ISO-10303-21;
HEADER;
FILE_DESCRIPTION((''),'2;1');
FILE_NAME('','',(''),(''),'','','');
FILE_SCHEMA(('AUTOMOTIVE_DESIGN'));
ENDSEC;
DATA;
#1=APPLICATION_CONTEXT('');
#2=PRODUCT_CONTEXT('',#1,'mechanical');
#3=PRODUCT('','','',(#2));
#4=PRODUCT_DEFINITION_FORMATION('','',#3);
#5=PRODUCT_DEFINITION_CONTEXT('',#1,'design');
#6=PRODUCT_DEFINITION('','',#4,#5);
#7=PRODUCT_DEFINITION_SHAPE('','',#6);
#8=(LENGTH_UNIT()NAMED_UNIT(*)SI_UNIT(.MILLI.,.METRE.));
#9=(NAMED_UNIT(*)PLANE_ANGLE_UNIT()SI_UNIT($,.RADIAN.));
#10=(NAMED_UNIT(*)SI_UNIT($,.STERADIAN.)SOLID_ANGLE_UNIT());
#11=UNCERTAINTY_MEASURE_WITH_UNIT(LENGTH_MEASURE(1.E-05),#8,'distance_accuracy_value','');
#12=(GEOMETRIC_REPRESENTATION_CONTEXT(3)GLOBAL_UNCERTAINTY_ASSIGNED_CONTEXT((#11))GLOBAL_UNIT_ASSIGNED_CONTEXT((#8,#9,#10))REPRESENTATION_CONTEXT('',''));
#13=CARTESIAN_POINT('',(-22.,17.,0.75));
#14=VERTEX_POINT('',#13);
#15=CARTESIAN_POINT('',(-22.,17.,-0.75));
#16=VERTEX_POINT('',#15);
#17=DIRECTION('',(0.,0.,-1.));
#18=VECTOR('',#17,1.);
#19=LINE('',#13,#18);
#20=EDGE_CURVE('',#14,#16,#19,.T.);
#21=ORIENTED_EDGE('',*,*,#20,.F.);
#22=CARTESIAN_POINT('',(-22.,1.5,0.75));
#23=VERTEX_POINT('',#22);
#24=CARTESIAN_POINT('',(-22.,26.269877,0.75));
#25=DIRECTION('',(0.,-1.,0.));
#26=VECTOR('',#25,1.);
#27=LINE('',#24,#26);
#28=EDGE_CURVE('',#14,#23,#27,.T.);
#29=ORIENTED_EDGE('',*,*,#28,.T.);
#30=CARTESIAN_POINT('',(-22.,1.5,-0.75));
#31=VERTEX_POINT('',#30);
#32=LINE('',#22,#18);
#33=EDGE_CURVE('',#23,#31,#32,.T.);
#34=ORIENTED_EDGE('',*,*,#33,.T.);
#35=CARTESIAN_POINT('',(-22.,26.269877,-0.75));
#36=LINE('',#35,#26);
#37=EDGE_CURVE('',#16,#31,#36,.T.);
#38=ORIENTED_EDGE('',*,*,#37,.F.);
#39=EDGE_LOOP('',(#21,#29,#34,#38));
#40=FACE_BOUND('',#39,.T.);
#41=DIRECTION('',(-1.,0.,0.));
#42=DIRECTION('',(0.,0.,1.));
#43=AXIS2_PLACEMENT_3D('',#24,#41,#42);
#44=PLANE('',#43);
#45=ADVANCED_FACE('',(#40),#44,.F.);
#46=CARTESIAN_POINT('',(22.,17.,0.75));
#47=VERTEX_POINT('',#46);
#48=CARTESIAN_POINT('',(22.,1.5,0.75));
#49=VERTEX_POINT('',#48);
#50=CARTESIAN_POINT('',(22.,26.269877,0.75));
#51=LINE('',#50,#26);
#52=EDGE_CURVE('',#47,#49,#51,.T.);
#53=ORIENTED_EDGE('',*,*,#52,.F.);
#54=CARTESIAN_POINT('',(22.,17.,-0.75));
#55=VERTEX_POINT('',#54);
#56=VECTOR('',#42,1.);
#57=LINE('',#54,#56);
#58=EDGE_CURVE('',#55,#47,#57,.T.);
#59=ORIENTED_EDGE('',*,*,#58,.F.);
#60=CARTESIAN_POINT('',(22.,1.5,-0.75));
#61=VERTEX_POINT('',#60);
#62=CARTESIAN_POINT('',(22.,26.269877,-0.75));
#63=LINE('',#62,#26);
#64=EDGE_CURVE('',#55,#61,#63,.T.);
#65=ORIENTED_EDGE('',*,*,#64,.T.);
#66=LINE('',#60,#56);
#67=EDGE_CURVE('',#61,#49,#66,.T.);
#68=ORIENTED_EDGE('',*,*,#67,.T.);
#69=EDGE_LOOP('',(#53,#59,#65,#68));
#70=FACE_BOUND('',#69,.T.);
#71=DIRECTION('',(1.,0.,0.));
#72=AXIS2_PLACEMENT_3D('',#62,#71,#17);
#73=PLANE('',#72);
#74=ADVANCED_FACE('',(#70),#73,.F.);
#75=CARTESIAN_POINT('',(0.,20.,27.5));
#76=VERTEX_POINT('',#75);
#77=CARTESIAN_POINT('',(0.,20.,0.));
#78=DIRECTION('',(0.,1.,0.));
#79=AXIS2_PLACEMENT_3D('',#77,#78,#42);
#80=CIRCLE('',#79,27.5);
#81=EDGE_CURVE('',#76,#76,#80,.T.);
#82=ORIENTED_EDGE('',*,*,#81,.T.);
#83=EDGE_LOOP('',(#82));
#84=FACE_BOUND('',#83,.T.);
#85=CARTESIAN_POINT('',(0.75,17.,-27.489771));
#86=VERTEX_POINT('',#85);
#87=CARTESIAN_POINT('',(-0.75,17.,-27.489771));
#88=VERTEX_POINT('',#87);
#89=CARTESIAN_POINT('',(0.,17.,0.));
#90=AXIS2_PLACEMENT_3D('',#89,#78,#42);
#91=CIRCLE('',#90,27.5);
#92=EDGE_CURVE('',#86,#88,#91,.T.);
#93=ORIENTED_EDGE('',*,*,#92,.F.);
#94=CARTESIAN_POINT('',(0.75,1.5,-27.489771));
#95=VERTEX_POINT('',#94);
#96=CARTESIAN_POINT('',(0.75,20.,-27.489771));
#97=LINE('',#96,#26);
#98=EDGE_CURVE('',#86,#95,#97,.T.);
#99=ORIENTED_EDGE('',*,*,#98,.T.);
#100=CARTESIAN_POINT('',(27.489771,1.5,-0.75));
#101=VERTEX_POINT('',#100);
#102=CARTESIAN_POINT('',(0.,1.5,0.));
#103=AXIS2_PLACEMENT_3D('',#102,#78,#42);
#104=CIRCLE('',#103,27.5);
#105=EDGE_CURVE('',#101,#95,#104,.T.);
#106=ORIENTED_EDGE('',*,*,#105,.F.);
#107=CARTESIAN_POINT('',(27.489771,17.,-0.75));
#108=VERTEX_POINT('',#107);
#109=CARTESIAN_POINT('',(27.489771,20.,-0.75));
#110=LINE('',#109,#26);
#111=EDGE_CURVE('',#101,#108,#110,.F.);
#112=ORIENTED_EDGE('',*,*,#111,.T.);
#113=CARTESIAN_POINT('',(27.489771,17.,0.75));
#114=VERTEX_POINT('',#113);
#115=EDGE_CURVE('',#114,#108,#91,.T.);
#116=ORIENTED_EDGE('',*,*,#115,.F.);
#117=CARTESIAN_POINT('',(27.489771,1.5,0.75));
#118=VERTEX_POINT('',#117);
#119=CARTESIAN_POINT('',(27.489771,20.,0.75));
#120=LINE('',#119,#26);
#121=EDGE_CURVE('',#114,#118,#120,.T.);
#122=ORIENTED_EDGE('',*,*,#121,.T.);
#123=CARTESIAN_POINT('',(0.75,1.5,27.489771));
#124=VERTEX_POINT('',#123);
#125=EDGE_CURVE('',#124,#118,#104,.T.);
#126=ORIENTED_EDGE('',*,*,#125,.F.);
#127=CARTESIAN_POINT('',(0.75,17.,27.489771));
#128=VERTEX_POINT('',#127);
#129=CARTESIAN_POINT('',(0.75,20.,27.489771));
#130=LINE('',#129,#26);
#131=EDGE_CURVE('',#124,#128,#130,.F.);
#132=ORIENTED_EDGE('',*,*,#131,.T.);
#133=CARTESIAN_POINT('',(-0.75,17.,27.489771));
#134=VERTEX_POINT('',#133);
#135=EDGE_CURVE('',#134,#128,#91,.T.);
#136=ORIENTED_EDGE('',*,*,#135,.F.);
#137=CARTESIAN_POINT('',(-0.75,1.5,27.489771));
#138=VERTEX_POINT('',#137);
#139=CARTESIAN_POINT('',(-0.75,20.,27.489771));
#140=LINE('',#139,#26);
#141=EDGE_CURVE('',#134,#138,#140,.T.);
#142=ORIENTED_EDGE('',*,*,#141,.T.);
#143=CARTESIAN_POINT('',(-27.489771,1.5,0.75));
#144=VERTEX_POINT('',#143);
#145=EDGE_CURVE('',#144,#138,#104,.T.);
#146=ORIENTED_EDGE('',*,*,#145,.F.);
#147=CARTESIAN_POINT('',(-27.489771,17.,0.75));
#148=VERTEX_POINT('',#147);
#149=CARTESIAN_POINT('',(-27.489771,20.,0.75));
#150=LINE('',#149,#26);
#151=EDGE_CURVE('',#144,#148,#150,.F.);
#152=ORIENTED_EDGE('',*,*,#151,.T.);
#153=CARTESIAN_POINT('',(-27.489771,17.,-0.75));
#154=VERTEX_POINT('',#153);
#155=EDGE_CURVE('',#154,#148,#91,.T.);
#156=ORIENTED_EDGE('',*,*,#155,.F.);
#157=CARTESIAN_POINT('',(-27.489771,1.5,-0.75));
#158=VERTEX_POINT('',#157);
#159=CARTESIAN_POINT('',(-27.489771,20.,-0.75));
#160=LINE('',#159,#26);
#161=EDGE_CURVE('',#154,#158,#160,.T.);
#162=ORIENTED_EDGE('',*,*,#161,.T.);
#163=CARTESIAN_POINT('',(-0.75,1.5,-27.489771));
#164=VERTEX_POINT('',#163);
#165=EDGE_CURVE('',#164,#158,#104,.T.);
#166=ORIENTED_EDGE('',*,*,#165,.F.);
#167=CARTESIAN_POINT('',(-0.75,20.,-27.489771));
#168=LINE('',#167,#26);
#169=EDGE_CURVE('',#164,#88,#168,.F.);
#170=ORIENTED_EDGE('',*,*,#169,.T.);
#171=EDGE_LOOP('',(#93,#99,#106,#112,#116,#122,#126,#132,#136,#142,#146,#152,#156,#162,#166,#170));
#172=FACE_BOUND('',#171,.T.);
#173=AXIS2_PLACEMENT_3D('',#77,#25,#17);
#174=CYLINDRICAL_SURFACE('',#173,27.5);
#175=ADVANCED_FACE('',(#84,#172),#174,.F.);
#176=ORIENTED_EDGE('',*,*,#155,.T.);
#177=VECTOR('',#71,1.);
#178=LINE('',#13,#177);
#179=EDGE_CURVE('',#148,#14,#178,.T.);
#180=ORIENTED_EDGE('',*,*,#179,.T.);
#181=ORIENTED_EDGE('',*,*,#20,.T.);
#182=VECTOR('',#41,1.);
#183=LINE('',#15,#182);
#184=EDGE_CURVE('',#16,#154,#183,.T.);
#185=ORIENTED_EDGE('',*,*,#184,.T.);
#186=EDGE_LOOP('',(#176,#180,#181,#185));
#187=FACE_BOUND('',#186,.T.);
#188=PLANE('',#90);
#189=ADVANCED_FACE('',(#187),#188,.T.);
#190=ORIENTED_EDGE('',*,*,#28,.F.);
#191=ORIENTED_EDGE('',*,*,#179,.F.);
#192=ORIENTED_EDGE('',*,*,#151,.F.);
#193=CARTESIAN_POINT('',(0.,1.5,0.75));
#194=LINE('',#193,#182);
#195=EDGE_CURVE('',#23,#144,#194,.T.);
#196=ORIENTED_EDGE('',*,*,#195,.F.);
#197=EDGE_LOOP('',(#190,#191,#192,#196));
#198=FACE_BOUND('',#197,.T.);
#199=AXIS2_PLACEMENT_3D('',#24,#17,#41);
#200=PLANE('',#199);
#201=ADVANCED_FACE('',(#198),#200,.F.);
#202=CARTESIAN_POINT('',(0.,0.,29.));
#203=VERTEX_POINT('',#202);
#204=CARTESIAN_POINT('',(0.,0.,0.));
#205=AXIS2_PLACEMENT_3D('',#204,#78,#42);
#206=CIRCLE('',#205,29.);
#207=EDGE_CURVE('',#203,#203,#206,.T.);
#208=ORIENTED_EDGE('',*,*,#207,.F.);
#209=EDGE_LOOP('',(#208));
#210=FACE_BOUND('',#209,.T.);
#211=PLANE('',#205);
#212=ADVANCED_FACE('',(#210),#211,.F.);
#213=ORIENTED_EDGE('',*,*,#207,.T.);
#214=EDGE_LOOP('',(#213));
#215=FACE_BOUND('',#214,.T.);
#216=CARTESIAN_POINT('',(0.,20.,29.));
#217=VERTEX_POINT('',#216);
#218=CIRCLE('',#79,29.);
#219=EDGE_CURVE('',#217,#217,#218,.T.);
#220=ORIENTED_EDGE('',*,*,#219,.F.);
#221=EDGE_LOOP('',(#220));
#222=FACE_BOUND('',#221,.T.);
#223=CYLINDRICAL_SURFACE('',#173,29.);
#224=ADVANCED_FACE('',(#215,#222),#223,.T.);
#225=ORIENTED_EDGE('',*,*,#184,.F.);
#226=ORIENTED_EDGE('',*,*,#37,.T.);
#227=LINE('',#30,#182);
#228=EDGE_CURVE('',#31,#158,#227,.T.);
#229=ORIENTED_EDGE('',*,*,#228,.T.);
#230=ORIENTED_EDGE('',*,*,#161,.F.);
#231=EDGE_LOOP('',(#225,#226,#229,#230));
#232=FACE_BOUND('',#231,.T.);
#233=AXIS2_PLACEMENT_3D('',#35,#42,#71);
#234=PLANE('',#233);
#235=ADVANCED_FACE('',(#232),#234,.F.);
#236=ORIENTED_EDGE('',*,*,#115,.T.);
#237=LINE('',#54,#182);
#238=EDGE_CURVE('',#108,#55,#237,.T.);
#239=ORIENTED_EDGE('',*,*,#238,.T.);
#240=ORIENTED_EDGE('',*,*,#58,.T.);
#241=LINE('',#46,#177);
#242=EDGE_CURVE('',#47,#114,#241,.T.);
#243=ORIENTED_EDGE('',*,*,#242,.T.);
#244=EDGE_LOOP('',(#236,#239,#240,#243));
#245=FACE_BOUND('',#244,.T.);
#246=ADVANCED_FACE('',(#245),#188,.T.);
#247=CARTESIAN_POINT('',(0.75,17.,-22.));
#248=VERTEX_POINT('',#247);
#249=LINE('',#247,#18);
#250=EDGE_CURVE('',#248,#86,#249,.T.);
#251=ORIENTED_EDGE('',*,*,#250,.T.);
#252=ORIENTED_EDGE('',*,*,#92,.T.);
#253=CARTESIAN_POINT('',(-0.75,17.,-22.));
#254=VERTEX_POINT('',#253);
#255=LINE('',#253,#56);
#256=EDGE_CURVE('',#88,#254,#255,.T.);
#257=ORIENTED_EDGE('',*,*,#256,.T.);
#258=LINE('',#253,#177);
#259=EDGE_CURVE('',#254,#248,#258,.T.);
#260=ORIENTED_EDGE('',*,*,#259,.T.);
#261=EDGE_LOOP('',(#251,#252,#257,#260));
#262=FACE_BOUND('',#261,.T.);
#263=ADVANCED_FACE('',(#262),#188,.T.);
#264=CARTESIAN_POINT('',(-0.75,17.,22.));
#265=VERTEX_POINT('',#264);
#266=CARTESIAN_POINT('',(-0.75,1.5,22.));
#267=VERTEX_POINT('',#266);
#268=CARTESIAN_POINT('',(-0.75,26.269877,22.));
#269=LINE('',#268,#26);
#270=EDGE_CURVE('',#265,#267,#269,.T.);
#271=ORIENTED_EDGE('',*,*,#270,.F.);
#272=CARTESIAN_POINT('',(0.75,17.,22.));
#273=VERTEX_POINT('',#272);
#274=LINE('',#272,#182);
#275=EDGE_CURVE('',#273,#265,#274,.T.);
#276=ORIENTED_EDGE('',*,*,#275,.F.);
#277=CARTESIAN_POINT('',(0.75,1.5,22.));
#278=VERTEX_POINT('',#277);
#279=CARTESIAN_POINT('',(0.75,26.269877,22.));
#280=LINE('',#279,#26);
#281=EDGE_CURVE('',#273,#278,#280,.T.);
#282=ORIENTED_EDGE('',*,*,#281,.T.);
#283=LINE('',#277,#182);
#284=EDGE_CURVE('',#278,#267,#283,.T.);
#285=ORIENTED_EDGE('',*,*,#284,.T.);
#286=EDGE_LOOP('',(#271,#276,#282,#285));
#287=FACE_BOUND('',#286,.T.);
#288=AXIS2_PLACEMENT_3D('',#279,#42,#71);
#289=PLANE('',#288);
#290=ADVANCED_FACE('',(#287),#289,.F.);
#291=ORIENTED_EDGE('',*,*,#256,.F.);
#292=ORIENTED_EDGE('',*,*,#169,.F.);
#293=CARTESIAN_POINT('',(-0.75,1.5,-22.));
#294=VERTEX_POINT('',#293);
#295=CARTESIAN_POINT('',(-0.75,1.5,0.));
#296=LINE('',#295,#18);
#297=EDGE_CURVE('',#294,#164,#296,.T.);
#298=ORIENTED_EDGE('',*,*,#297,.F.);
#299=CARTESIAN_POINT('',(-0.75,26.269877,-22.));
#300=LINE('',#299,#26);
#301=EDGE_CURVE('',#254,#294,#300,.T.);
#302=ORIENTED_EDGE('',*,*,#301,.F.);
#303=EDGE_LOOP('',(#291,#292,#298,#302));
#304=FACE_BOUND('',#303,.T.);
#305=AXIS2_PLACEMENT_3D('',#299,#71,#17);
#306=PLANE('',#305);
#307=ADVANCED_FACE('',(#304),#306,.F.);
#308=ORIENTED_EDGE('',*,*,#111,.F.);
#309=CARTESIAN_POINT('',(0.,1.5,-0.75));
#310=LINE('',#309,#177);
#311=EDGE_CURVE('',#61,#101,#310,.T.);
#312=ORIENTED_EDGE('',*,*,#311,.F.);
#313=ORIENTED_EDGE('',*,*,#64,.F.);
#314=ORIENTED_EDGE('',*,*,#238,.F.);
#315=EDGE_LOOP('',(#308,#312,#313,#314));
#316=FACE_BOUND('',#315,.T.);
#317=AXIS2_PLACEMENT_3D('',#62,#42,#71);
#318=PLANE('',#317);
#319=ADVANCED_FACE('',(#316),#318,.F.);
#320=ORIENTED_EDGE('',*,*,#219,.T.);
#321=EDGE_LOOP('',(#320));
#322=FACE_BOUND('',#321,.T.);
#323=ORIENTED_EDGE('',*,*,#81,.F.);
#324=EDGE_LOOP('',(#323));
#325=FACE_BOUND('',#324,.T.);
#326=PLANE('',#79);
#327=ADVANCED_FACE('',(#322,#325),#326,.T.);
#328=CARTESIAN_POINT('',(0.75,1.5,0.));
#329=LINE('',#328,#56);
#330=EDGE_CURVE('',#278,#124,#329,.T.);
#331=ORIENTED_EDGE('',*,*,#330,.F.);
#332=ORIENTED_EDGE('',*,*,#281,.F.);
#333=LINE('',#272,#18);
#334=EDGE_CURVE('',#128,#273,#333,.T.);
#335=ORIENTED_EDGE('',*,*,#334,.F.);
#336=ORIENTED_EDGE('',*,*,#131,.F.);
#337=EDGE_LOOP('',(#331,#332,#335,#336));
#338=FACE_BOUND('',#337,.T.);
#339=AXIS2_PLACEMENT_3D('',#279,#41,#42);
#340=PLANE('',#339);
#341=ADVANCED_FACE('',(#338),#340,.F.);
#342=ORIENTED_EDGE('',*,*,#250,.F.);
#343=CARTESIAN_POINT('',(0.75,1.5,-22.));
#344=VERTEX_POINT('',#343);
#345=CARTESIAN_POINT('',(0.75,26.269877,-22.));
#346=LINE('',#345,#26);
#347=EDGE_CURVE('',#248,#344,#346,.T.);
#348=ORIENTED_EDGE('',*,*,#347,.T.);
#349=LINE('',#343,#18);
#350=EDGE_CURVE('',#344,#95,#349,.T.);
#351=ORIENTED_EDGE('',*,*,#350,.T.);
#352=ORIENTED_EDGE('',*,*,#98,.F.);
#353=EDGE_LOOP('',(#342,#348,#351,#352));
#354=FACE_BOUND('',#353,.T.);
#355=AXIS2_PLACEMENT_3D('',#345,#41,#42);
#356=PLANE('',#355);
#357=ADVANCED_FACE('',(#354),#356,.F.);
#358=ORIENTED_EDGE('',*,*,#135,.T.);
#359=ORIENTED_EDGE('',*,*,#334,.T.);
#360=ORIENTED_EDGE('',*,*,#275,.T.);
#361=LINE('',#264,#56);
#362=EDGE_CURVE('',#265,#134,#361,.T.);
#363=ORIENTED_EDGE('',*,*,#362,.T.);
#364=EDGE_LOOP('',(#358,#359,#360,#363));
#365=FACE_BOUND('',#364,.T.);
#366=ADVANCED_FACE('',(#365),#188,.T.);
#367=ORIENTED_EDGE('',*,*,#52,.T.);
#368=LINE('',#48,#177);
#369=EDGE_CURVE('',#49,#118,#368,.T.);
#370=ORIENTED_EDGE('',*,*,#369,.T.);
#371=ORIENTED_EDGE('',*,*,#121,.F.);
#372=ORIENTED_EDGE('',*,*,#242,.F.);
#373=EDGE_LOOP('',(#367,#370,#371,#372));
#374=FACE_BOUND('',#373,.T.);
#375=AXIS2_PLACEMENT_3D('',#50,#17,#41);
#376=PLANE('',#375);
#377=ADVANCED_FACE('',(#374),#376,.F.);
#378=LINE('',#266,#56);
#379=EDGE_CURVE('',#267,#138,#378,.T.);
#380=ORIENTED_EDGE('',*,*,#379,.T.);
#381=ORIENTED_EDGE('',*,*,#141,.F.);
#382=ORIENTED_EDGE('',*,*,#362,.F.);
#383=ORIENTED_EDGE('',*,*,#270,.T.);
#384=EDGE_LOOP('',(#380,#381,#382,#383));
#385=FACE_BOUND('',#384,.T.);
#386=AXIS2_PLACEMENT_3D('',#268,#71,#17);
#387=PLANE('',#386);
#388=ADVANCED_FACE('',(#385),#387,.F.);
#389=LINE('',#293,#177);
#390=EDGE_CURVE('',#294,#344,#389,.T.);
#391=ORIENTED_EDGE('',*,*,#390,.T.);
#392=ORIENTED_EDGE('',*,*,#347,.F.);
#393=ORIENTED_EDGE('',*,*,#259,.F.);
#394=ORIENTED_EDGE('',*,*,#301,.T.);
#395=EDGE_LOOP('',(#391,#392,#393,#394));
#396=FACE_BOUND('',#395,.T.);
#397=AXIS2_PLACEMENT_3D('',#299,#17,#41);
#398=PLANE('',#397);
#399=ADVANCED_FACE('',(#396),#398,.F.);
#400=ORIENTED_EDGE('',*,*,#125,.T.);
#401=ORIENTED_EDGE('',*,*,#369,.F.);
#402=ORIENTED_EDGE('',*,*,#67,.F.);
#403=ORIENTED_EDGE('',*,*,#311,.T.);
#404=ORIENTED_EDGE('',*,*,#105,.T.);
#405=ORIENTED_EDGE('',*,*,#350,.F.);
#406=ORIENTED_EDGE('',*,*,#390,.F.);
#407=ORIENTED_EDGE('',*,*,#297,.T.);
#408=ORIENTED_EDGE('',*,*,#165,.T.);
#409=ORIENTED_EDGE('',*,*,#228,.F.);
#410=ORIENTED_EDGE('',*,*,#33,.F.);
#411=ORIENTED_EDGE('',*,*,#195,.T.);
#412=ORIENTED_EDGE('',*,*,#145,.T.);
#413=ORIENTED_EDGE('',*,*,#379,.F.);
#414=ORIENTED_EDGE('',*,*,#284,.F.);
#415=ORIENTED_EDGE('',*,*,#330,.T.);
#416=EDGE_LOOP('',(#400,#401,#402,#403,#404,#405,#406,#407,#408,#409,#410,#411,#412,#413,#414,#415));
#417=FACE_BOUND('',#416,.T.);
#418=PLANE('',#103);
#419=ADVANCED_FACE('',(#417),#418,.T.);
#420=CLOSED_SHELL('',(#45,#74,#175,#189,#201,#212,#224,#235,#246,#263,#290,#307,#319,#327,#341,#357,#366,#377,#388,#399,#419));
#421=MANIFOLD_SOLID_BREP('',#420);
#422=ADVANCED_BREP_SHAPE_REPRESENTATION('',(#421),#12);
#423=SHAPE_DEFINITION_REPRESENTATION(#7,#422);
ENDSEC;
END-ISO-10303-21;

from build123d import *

# Parameters (mm, degrees)
SKETCH1_R           = 29
BOSS_EXTRUDE1_DEPTH = 20
SHELL1_T            = -1.5
SKETCH2_W           = 1.5
SKETCH2_H           = 6.087803818
SKETCH2_W_2         = 6.087803818
SKETCH2_H_2         = 1.5
BOSS_EXTRUDE2_DEPTH = 15.5


with BuildPart() as part:
    # Sketch1 → Boss-Extrude1 (new body)
    with BuildSketch(Plane(origin=(0, 0, 0), x_dir=(1, 0, 0), z_dir=(0, 1, 0))):
        with Locations(Location((0, 0, 0), (0, 0, 270))):
            Circle(SKETCH1_R)
    extrude(amount=BOSS_EXTRUDE1_DEPTH)

    # Shell1
    shell1_openings = [part.faces().sort_by_distance(p)[0] for p in [
        (0, 20, 0),
    ]]
    offset(amount=SHELL1_T, openings=shell1_openings, kind=Kind.INTERSECTION)

    # Sketch2 → Boss-Extrude2 (add)
    with BuildSketch(Plane(origin=(0, 1.5, 0), x_dir=(1, 0, 0), z_dir=(0, 1, 0))):
        with Locations((0, 25.043901909)):
            Rectangle(SKETCH2_W, SKETCH2_H)
        with Locations((25.043901909, 0)):
            Rectangle(SKETCH2_W_2, SKETCH2_H_2)
        with Locations((0, -25.043901909)):
            Rectangle(SKETCH2_W, SKETCH2_H)
        with Locations((-25.043901909, 0)):
            Rectangle(SKETCH2_W_2, SKETCH2_H_2)
    extrude(amount=BOSS_EXTRUDE2_DEPTH)


solid = part.part
